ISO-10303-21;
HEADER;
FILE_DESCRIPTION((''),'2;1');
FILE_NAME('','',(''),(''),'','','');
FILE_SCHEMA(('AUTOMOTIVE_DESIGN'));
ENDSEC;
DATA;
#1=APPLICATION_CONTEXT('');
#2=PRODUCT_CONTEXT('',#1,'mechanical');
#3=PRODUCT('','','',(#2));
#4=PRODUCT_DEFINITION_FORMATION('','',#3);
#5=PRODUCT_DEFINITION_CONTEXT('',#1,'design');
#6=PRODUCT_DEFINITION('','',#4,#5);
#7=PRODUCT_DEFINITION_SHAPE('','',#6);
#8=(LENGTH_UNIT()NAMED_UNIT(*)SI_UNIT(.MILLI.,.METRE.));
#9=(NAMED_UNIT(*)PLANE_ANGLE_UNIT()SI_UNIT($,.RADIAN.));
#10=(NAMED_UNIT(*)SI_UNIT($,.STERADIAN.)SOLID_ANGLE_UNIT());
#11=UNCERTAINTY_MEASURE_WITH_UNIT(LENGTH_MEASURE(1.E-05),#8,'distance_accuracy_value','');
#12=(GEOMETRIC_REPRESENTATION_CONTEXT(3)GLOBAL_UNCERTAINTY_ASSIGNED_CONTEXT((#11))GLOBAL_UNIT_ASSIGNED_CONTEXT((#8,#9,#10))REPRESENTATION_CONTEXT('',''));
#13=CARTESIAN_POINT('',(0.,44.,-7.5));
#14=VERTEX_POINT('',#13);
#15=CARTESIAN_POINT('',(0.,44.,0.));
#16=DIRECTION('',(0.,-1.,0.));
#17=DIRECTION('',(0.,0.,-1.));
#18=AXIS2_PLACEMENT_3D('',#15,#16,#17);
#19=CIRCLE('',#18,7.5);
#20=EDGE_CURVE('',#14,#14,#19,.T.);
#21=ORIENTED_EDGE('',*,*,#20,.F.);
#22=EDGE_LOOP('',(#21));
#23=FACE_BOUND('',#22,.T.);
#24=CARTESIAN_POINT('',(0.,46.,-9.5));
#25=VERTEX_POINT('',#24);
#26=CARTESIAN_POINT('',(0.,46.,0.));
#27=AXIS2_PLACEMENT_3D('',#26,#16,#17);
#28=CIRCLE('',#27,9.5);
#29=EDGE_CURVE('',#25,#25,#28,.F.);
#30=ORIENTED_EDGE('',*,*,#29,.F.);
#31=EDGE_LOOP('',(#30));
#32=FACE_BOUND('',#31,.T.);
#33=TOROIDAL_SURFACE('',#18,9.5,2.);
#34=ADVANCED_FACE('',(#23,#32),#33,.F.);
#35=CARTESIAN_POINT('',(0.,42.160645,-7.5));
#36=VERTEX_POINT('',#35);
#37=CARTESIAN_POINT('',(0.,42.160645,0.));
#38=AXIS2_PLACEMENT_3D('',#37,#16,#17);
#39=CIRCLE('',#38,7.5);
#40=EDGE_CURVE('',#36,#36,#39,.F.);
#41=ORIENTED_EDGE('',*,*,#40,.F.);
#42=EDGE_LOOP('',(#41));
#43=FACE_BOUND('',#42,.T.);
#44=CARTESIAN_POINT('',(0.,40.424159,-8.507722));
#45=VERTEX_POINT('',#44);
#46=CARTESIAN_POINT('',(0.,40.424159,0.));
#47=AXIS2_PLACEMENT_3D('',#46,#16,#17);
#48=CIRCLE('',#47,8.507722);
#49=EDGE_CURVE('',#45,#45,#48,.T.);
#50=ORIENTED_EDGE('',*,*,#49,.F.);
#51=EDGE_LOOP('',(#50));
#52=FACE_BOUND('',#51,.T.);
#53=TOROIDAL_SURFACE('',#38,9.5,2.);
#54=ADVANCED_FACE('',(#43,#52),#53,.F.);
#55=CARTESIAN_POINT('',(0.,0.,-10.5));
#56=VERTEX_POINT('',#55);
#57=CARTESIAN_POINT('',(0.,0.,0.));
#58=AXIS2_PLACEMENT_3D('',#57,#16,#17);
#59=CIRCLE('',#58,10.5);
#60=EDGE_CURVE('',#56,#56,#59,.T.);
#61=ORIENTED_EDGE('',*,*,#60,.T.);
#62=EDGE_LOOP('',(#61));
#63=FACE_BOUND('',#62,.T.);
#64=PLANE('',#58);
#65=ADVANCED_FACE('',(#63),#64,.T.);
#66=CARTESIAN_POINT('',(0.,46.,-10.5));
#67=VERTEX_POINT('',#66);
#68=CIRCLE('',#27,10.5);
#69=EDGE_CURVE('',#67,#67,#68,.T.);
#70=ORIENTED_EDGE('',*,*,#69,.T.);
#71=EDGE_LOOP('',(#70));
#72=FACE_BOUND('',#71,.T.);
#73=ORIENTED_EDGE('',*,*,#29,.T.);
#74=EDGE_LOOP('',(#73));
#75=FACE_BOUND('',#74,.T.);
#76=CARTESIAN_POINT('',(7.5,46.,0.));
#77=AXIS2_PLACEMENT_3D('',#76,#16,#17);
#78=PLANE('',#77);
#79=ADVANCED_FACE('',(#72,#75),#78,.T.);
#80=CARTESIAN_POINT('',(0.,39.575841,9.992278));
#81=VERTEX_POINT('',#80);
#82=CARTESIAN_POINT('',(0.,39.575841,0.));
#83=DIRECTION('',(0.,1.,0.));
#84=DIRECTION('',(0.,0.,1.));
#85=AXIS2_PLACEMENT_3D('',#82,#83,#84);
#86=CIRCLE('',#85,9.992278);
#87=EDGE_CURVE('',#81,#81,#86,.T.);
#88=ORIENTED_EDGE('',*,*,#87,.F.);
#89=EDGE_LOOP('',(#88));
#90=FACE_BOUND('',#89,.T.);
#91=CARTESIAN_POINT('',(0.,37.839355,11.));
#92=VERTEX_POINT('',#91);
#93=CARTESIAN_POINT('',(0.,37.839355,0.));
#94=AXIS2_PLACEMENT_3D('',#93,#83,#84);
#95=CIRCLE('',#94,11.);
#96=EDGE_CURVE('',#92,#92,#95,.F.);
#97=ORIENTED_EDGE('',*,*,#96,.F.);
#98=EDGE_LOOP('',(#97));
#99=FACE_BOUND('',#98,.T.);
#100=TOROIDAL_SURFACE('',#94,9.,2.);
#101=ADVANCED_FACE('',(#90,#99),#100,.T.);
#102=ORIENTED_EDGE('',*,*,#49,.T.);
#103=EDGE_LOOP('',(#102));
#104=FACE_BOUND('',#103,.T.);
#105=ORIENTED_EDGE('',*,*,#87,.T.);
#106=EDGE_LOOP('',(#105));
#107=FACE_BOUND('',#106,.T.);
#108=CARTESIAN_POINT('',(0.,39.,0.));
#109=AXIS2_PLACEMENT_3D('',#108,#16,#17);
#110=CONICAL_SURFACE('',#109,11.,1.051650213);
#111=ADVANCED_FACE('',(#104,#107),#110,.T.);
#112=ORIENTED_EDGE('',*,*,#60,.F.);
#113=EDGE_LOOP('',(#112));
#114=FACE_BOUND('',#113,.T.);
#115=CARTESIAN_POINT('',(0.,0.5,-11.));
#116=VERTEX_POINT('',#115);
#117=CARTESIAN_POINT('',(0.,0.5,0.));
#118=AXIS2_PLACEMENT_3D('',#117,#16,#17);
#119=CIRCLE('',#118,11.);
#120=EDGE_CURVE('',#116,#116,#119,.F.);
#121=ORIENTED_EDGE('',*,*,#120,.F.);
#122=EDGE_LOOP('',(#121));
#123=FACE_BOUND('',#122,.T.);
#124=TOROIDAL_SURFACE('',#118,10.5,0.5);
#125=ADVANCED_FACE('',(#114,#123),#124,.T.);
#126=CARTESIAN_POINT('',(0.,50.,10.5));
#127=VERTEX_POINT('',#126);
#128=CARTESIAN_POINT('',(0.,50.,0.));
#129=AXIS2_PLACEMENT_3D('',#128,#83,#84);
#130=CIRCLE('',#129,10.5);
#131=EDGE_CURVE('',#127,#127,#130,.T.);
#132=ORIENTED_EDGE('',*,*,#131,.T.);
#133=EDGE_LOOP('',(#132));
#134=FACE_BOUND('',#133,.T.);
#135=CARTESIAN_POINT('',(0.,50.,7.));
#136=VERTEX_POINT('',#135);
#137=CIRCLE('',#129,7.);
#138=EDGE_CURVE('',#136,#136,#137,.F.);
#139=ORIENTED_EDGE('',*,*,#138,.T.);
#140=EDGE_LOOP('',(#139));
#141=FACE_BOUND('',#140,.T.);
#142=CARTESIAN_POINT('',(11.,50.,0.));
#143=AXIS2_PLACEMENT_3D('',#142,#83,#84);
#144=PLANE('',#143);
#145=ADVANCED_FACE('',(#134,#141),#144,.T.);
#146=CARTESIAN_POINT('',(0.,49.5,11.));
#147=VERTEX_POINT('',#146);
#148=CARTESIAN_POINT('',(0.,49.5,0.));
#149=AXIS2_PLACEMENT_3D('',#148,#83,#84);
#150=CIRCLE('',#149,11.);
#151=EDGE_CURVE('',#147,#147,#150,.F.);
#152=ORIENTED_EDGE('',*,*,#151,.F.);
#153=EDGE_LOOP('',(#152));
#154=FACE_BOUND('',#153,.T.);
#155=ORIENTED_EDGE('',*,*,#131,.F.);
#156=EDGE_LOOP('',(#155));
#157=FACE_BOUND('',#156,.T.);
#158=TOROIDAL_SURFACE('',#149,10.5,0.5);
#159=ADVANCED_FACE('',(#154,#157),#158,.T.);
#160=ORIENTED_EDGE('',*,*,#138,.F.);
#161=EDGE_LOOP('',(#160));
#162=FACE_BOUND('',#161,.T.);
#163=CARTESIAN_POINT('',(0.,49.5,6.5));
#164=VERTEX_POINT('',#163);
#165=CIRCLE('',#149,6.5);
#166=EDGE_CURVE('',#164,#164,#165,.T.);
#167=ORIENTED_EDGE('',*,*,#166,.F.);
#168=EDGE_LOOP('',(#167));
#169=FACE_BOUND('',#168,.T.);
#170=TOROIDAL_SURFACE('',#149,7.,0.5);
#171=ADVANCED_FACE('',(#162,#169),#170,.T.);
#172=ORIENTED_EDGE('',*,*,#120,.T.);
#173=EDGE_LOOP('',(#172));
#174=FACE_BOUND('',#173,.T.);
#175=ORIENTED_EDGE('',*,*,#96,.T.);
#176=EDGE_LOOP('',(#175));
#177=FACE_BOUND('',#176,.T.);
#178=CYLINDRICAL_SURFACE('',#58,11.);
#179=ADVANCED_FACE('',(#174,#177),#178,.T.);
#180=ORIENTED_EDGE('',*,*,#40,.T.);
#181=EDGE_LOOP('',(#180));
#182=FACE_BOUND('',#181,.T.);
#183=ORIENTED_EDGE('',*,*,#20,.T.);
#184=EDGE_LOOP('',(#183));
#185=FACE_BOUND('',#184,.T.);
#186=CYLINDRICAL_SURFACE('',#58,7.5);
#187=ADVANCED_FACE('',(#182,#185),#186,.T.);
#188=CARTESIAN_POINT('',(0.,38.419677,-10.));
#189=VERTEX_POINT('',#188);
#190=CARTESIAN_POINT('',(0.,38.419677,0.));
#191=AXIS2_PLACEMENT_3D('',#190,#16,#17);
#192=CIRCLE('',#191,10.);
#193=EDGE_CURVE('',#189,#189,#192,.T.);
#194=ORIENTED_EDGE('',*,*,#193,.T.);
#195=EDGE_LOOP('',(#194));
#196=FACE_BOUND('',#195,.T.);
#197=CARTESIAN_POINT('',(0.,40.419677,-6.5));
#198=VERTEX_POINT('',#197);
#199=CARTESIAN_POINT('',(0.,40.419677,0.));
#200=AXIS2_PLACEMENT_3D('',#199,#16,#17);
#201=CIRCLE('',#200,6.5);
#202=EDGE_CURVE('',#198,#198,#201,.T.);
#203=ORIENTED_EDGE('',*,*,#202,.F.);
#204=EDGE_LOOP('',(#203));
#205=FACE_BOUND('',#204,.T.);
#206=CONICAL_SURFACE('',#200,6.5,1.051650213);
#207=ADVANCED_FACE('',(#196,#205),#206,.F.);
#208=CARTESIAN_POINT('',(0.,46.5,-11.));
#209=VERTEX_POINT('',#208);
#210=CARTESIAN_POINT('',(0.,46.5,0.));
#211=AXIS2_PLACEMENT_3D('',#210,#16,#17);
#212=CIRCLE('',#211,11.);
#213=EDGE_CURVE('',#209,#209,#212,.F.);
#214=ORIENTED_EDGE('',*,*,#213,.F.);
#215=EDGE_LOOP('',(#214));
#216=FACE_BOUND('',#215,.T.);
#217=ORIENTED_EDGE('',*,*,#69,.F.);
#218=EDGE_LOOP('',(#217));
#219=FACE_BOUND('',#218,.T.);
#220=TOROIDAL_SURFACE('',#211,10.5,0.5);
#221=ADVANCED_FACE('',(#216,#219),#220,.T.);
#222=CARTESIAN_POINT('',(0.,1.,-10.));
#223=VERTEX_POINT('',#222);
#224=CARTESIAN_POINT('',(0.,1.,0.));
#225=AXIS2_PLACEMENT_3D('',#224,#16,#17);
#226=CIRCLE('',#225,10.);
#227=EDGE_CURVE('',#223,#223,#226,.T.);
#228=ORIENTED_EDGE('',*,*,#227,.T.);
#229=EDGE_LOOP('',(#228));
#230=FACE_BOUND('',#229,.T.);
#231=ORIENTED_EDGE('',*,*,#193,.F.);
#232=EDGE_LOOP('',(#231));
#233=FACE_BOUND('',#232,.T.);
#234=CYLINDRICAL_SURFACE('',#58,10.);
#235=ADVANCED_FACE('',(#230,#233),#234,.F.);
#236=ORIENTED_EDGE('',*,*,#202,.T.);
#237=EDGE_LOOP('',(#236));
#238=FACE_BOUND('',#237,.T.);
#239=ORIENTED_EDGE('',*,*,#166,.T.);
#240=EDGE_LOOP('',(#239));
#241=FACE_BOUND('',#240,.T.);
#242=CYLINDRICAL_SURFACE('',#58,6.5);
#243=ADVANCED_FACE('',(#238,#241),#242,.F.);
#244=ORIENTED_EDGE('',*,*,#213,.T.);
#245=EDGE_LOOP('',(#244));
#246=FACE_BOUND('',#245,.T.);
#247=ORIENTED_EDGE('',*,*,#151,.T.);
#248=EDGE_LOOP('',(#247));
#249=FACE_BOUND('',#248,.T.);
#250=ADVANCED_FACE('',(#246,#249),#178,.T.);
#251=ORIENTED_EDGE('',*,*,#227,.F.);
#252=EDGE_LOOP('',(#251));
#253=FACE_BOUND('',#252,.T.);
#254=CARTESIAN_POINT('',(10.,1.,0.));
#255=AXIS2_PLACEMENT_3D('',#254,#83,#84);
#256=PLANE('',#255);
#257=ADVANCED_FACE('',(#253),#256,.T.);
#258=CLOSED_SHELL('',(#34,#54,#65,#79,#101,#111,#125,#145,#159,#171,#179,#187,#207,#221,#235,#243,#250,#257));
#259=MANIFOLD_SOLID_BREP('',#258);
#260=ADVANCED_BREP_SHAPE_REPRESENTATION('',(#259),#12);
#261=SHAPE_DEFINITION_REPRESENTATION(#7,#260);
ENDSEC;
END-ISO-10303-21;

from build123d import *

# Parameters (mm, degrees)
FILLET1_R = 2
FILLET2_R = 0.5


with BuildPart() as part:
    # Sketch1 → Revolve1 (revolve)
    with BuildSketch(Plane.XY, mode=Mode.PRIVATE) as revolve1_sk:
        Polygon((0, 0), (11, 0), (11, 39), (7.5, 41), (7.5, 46), (11, 46), (11, 50), (6.5, 50), (6.5, 40.419677465), (10, 38.419677465), (10, 1), (0, 1), align=None)
    revolve(revolve1_sk.sketch.rotate(Axis((0, 0, 0), (0, 1, 0)), 90), axis=Axis((0, 0, 0), (0, 1, 0)))

    # Fillet1
    fillet1_edges = [part.edges().sort_by_distance(p)[0] for p in [
        (0, 46, 7.5),
        (0, 41, 7.5),
        (0, 39, 11),
    ]]
    fillet(fillet1_edges, radius=FILLET1_R)

    # Fillet2
    fillet2_edges = [part.edges().sort_by_distance(p)[0] for p in [
        (0, 50, 6.5),
        (0, 50, 11),
        (0, 46, 11),
        (0, 0, 11),
    ]]
    fillet(fillet2_edges, radius=FILLET2_R)


solid = part.part
